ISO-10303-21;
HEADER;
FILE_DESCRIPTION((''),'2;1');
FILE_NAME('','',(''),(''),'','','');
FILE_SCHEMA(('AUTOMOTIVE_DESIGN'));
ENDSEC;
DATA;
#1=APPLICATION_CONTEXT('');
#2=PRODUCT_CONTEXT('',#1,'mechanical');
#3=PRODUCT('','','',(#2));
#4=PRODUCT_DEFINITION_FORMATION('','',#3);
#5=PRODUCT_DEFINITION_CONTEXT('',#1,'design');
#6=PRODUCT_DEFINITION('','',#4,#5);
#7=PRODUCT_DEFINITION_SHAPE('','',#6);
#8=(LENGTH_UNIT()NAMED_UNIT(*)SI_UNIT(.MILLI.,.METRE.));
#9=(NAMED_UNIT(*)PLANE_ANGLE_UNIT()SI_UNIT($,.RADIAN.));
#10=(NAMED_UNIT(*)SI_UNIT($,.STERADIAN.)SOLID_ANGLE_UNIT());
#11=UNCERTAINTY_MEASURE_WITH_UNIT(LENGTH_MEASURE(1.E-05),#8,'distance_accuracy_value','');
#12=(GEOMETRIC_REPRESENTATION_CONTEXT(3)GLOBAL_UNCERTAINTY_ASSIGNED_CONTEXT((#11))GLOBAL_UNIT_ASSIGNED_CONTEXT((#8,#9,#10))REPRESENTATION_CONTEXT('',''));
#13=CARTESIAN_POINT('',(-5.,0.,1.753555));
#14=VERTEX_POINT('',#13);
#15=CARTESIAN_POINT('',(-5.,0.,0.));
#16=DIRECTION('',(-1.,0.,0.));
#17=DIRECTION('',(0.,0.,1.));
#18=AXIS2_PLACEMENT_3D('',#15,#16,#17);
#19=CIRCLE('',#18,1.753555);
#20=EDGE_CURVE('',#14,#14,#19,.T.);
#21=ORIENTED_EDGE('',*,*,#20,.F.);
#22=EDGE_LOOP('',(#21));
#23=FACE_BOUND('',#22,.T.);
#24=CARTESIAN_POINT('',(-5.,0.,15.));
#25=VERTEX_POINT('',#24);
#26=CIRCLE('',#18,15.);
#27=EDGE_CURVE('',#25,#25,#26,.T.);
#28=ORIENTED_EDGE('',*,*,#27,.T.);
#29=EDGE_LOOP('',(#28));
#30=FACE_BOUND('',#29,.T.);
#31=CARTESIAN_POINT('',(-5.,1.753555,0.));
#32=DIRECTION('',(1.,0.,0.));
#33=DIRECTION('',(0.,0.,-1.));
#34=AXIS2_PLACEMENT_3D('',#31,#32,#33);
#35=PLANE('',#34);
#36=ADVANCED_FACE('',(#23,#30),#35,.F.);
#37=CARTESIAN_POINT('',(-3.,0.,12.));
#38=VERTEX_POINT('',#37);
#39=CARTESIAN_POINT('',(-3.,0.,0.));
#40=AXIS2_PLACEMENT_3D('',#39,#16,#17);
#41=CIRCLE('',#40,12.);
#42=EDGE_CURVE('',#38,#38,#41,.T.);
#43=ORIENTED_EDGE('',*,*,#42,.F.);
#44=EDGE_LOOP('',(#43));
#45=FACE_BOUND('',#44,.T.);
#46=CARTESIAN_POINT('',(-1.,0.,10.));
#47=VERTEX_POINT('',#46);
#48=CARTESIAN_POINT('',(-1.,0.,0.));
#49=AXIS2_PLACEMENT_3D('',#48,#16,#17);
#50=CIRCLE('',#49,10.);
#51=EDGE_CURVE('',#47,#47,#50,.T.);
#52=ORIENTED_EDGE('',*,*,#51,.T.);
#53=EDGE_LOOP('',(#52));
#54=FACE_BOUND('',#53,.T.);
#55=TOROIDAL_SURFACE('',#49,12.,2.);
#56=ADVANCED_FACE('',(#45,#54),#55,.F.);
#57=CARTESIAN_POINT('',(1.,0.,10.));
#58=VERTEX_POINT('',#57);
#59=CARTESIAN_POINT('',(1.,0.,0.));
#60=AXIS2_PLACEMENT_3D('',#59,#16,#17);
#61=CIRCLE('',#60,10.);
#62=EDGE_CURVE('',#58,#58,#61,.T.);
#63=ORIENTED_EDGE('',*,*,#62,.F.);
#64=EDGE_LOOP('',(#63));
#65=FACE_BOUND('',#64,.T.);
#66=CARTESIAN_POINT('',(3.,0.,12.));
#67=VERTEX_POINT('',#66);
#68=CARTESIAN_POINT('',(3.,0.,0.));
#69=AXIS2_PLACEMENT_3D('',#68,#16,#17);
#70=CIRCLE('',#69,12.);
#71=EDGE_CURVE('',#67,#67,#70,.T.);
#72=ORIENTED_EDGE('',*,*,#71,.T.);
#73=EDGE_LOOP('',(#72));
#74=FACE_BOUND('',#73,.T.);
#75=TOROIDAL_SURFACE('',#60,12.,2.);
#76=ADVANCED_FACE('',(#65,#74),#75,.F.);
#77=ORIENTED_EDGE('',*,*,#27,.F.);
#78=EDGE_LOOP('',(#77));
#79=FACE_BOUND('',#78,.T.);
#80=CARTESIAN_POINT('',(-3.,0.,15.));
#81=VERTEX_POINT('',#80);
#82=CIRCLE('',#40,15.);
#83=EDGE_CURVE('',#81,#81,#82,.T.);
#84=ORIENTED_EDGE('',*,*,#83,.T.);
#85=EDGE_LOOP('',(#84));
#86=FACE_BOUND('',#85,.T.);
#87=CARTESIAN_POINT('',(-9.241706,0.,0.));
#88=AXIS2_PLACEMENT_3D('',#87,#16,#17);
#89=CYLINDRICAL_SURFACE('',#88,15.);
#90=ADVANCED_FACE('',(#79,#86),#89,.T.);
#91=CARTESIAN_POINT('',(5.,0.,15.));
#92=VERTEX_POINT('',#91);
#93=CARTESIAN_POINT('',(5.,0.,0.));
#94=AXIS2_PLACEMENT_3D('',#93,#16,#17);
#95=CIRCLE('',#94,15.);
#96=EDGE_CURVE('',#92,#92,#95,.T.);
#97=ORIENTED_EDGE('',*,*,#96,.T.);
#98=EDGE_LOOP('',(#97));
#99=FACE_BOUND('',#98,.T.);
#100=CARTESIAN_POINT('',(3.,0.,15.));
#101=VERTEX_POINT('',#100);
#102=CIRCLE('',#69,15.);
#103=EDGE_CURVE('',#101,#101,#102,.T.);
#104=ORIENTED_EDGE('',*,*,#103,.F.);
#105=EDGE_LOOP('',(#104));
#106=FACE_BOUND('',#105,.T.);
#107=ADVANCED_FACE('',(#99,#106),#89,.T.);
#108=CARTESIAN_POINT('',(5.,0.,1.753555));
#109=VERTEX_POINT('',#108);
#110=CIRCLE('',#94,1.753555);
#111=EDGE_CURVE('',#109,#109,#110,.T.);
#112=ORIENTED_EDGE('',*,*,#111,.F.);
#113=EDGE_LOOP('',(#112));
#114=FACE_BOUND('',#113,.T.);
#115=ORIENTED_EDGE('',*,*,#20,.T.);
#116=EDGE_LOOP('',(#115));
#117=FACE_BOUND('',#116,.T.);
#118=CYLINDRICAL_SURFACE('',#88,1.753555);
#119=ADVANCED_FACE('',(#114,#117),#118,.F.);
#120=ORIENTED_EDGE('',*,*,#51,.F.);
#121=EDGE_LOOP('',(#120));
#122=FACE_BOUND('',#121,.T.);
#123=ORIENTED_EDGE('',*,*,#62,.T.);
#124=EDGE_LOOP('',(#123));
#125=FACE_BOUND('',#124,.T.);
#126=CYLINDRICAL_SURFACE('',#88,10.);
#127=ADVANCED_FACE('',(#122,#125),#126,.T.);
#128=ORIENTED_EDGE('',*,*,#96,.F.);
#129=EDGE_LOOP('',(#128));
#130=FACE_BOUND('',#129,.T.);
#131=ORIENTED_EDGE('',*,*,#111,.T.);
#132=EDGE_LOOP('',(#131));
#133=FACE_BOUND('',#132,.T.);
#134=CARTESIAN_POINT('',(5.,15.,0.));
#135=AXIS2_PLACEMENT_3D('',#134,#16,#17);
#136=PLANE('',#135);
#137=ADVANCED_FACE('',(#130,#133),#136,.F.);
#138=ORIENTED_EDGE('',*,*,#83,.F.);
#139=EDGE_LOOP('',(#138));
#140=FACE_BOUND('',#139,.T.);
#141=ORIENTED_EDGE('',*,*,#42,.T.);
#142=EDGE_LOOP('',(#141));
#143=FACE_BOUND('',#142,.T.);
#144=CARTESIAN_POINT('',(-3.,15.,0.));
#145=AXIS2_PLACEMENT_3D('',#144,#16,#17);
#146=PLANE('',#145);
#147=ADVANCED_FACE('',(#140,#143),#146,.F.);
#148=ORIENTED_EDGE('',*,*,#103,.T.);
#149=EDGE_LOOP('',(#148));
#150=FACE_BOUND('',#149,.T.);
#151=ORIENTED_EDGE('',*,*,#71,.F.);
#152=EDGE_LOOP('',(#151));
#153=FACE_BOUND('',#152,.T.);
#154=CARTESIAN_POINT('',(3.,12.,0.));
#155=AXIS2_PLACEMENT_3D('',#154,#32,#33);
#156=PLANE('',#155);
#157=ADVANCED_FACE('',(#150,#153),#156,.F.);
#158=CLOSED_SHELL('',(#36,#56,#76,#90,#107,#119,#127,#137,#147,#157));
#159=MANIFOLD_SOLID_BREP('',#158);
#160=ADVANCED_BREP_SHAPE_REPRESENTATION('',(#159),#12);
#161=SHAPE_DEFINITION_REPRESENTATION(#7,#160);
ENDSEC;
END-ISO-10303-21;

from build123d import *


with BuildPart() as part:
    # Sketch1 → Revolve1 (revolve)
    with BuildSketch(Plane.XY):
        with BuildLine():
            Line((-1, 10), (1, 10))
            ThreePointArc((1, 10), (2.414213562, 10.585786438), (3, 12))
            Line((3, 12), (3, 15))
            Line((3, 15), (5, 15))
            Line((5, 15), (5, 1.753554502))
            Line((5, 1.753554502), (-5, 1.753554502))
            Line((-5, 1.753554502), (-5, 15))
            Line((-5, 15), (-3, 15))
            Line((-3, 15), (-3, 12))
            ThreePointArc((-3, 12), (-2.414213562, 10.585786438), (-1, 10))
        make_face()
    revolve(axis=Axis((-9.241706161, 0, 0), (1, 0, 0)))


solid = part.part
